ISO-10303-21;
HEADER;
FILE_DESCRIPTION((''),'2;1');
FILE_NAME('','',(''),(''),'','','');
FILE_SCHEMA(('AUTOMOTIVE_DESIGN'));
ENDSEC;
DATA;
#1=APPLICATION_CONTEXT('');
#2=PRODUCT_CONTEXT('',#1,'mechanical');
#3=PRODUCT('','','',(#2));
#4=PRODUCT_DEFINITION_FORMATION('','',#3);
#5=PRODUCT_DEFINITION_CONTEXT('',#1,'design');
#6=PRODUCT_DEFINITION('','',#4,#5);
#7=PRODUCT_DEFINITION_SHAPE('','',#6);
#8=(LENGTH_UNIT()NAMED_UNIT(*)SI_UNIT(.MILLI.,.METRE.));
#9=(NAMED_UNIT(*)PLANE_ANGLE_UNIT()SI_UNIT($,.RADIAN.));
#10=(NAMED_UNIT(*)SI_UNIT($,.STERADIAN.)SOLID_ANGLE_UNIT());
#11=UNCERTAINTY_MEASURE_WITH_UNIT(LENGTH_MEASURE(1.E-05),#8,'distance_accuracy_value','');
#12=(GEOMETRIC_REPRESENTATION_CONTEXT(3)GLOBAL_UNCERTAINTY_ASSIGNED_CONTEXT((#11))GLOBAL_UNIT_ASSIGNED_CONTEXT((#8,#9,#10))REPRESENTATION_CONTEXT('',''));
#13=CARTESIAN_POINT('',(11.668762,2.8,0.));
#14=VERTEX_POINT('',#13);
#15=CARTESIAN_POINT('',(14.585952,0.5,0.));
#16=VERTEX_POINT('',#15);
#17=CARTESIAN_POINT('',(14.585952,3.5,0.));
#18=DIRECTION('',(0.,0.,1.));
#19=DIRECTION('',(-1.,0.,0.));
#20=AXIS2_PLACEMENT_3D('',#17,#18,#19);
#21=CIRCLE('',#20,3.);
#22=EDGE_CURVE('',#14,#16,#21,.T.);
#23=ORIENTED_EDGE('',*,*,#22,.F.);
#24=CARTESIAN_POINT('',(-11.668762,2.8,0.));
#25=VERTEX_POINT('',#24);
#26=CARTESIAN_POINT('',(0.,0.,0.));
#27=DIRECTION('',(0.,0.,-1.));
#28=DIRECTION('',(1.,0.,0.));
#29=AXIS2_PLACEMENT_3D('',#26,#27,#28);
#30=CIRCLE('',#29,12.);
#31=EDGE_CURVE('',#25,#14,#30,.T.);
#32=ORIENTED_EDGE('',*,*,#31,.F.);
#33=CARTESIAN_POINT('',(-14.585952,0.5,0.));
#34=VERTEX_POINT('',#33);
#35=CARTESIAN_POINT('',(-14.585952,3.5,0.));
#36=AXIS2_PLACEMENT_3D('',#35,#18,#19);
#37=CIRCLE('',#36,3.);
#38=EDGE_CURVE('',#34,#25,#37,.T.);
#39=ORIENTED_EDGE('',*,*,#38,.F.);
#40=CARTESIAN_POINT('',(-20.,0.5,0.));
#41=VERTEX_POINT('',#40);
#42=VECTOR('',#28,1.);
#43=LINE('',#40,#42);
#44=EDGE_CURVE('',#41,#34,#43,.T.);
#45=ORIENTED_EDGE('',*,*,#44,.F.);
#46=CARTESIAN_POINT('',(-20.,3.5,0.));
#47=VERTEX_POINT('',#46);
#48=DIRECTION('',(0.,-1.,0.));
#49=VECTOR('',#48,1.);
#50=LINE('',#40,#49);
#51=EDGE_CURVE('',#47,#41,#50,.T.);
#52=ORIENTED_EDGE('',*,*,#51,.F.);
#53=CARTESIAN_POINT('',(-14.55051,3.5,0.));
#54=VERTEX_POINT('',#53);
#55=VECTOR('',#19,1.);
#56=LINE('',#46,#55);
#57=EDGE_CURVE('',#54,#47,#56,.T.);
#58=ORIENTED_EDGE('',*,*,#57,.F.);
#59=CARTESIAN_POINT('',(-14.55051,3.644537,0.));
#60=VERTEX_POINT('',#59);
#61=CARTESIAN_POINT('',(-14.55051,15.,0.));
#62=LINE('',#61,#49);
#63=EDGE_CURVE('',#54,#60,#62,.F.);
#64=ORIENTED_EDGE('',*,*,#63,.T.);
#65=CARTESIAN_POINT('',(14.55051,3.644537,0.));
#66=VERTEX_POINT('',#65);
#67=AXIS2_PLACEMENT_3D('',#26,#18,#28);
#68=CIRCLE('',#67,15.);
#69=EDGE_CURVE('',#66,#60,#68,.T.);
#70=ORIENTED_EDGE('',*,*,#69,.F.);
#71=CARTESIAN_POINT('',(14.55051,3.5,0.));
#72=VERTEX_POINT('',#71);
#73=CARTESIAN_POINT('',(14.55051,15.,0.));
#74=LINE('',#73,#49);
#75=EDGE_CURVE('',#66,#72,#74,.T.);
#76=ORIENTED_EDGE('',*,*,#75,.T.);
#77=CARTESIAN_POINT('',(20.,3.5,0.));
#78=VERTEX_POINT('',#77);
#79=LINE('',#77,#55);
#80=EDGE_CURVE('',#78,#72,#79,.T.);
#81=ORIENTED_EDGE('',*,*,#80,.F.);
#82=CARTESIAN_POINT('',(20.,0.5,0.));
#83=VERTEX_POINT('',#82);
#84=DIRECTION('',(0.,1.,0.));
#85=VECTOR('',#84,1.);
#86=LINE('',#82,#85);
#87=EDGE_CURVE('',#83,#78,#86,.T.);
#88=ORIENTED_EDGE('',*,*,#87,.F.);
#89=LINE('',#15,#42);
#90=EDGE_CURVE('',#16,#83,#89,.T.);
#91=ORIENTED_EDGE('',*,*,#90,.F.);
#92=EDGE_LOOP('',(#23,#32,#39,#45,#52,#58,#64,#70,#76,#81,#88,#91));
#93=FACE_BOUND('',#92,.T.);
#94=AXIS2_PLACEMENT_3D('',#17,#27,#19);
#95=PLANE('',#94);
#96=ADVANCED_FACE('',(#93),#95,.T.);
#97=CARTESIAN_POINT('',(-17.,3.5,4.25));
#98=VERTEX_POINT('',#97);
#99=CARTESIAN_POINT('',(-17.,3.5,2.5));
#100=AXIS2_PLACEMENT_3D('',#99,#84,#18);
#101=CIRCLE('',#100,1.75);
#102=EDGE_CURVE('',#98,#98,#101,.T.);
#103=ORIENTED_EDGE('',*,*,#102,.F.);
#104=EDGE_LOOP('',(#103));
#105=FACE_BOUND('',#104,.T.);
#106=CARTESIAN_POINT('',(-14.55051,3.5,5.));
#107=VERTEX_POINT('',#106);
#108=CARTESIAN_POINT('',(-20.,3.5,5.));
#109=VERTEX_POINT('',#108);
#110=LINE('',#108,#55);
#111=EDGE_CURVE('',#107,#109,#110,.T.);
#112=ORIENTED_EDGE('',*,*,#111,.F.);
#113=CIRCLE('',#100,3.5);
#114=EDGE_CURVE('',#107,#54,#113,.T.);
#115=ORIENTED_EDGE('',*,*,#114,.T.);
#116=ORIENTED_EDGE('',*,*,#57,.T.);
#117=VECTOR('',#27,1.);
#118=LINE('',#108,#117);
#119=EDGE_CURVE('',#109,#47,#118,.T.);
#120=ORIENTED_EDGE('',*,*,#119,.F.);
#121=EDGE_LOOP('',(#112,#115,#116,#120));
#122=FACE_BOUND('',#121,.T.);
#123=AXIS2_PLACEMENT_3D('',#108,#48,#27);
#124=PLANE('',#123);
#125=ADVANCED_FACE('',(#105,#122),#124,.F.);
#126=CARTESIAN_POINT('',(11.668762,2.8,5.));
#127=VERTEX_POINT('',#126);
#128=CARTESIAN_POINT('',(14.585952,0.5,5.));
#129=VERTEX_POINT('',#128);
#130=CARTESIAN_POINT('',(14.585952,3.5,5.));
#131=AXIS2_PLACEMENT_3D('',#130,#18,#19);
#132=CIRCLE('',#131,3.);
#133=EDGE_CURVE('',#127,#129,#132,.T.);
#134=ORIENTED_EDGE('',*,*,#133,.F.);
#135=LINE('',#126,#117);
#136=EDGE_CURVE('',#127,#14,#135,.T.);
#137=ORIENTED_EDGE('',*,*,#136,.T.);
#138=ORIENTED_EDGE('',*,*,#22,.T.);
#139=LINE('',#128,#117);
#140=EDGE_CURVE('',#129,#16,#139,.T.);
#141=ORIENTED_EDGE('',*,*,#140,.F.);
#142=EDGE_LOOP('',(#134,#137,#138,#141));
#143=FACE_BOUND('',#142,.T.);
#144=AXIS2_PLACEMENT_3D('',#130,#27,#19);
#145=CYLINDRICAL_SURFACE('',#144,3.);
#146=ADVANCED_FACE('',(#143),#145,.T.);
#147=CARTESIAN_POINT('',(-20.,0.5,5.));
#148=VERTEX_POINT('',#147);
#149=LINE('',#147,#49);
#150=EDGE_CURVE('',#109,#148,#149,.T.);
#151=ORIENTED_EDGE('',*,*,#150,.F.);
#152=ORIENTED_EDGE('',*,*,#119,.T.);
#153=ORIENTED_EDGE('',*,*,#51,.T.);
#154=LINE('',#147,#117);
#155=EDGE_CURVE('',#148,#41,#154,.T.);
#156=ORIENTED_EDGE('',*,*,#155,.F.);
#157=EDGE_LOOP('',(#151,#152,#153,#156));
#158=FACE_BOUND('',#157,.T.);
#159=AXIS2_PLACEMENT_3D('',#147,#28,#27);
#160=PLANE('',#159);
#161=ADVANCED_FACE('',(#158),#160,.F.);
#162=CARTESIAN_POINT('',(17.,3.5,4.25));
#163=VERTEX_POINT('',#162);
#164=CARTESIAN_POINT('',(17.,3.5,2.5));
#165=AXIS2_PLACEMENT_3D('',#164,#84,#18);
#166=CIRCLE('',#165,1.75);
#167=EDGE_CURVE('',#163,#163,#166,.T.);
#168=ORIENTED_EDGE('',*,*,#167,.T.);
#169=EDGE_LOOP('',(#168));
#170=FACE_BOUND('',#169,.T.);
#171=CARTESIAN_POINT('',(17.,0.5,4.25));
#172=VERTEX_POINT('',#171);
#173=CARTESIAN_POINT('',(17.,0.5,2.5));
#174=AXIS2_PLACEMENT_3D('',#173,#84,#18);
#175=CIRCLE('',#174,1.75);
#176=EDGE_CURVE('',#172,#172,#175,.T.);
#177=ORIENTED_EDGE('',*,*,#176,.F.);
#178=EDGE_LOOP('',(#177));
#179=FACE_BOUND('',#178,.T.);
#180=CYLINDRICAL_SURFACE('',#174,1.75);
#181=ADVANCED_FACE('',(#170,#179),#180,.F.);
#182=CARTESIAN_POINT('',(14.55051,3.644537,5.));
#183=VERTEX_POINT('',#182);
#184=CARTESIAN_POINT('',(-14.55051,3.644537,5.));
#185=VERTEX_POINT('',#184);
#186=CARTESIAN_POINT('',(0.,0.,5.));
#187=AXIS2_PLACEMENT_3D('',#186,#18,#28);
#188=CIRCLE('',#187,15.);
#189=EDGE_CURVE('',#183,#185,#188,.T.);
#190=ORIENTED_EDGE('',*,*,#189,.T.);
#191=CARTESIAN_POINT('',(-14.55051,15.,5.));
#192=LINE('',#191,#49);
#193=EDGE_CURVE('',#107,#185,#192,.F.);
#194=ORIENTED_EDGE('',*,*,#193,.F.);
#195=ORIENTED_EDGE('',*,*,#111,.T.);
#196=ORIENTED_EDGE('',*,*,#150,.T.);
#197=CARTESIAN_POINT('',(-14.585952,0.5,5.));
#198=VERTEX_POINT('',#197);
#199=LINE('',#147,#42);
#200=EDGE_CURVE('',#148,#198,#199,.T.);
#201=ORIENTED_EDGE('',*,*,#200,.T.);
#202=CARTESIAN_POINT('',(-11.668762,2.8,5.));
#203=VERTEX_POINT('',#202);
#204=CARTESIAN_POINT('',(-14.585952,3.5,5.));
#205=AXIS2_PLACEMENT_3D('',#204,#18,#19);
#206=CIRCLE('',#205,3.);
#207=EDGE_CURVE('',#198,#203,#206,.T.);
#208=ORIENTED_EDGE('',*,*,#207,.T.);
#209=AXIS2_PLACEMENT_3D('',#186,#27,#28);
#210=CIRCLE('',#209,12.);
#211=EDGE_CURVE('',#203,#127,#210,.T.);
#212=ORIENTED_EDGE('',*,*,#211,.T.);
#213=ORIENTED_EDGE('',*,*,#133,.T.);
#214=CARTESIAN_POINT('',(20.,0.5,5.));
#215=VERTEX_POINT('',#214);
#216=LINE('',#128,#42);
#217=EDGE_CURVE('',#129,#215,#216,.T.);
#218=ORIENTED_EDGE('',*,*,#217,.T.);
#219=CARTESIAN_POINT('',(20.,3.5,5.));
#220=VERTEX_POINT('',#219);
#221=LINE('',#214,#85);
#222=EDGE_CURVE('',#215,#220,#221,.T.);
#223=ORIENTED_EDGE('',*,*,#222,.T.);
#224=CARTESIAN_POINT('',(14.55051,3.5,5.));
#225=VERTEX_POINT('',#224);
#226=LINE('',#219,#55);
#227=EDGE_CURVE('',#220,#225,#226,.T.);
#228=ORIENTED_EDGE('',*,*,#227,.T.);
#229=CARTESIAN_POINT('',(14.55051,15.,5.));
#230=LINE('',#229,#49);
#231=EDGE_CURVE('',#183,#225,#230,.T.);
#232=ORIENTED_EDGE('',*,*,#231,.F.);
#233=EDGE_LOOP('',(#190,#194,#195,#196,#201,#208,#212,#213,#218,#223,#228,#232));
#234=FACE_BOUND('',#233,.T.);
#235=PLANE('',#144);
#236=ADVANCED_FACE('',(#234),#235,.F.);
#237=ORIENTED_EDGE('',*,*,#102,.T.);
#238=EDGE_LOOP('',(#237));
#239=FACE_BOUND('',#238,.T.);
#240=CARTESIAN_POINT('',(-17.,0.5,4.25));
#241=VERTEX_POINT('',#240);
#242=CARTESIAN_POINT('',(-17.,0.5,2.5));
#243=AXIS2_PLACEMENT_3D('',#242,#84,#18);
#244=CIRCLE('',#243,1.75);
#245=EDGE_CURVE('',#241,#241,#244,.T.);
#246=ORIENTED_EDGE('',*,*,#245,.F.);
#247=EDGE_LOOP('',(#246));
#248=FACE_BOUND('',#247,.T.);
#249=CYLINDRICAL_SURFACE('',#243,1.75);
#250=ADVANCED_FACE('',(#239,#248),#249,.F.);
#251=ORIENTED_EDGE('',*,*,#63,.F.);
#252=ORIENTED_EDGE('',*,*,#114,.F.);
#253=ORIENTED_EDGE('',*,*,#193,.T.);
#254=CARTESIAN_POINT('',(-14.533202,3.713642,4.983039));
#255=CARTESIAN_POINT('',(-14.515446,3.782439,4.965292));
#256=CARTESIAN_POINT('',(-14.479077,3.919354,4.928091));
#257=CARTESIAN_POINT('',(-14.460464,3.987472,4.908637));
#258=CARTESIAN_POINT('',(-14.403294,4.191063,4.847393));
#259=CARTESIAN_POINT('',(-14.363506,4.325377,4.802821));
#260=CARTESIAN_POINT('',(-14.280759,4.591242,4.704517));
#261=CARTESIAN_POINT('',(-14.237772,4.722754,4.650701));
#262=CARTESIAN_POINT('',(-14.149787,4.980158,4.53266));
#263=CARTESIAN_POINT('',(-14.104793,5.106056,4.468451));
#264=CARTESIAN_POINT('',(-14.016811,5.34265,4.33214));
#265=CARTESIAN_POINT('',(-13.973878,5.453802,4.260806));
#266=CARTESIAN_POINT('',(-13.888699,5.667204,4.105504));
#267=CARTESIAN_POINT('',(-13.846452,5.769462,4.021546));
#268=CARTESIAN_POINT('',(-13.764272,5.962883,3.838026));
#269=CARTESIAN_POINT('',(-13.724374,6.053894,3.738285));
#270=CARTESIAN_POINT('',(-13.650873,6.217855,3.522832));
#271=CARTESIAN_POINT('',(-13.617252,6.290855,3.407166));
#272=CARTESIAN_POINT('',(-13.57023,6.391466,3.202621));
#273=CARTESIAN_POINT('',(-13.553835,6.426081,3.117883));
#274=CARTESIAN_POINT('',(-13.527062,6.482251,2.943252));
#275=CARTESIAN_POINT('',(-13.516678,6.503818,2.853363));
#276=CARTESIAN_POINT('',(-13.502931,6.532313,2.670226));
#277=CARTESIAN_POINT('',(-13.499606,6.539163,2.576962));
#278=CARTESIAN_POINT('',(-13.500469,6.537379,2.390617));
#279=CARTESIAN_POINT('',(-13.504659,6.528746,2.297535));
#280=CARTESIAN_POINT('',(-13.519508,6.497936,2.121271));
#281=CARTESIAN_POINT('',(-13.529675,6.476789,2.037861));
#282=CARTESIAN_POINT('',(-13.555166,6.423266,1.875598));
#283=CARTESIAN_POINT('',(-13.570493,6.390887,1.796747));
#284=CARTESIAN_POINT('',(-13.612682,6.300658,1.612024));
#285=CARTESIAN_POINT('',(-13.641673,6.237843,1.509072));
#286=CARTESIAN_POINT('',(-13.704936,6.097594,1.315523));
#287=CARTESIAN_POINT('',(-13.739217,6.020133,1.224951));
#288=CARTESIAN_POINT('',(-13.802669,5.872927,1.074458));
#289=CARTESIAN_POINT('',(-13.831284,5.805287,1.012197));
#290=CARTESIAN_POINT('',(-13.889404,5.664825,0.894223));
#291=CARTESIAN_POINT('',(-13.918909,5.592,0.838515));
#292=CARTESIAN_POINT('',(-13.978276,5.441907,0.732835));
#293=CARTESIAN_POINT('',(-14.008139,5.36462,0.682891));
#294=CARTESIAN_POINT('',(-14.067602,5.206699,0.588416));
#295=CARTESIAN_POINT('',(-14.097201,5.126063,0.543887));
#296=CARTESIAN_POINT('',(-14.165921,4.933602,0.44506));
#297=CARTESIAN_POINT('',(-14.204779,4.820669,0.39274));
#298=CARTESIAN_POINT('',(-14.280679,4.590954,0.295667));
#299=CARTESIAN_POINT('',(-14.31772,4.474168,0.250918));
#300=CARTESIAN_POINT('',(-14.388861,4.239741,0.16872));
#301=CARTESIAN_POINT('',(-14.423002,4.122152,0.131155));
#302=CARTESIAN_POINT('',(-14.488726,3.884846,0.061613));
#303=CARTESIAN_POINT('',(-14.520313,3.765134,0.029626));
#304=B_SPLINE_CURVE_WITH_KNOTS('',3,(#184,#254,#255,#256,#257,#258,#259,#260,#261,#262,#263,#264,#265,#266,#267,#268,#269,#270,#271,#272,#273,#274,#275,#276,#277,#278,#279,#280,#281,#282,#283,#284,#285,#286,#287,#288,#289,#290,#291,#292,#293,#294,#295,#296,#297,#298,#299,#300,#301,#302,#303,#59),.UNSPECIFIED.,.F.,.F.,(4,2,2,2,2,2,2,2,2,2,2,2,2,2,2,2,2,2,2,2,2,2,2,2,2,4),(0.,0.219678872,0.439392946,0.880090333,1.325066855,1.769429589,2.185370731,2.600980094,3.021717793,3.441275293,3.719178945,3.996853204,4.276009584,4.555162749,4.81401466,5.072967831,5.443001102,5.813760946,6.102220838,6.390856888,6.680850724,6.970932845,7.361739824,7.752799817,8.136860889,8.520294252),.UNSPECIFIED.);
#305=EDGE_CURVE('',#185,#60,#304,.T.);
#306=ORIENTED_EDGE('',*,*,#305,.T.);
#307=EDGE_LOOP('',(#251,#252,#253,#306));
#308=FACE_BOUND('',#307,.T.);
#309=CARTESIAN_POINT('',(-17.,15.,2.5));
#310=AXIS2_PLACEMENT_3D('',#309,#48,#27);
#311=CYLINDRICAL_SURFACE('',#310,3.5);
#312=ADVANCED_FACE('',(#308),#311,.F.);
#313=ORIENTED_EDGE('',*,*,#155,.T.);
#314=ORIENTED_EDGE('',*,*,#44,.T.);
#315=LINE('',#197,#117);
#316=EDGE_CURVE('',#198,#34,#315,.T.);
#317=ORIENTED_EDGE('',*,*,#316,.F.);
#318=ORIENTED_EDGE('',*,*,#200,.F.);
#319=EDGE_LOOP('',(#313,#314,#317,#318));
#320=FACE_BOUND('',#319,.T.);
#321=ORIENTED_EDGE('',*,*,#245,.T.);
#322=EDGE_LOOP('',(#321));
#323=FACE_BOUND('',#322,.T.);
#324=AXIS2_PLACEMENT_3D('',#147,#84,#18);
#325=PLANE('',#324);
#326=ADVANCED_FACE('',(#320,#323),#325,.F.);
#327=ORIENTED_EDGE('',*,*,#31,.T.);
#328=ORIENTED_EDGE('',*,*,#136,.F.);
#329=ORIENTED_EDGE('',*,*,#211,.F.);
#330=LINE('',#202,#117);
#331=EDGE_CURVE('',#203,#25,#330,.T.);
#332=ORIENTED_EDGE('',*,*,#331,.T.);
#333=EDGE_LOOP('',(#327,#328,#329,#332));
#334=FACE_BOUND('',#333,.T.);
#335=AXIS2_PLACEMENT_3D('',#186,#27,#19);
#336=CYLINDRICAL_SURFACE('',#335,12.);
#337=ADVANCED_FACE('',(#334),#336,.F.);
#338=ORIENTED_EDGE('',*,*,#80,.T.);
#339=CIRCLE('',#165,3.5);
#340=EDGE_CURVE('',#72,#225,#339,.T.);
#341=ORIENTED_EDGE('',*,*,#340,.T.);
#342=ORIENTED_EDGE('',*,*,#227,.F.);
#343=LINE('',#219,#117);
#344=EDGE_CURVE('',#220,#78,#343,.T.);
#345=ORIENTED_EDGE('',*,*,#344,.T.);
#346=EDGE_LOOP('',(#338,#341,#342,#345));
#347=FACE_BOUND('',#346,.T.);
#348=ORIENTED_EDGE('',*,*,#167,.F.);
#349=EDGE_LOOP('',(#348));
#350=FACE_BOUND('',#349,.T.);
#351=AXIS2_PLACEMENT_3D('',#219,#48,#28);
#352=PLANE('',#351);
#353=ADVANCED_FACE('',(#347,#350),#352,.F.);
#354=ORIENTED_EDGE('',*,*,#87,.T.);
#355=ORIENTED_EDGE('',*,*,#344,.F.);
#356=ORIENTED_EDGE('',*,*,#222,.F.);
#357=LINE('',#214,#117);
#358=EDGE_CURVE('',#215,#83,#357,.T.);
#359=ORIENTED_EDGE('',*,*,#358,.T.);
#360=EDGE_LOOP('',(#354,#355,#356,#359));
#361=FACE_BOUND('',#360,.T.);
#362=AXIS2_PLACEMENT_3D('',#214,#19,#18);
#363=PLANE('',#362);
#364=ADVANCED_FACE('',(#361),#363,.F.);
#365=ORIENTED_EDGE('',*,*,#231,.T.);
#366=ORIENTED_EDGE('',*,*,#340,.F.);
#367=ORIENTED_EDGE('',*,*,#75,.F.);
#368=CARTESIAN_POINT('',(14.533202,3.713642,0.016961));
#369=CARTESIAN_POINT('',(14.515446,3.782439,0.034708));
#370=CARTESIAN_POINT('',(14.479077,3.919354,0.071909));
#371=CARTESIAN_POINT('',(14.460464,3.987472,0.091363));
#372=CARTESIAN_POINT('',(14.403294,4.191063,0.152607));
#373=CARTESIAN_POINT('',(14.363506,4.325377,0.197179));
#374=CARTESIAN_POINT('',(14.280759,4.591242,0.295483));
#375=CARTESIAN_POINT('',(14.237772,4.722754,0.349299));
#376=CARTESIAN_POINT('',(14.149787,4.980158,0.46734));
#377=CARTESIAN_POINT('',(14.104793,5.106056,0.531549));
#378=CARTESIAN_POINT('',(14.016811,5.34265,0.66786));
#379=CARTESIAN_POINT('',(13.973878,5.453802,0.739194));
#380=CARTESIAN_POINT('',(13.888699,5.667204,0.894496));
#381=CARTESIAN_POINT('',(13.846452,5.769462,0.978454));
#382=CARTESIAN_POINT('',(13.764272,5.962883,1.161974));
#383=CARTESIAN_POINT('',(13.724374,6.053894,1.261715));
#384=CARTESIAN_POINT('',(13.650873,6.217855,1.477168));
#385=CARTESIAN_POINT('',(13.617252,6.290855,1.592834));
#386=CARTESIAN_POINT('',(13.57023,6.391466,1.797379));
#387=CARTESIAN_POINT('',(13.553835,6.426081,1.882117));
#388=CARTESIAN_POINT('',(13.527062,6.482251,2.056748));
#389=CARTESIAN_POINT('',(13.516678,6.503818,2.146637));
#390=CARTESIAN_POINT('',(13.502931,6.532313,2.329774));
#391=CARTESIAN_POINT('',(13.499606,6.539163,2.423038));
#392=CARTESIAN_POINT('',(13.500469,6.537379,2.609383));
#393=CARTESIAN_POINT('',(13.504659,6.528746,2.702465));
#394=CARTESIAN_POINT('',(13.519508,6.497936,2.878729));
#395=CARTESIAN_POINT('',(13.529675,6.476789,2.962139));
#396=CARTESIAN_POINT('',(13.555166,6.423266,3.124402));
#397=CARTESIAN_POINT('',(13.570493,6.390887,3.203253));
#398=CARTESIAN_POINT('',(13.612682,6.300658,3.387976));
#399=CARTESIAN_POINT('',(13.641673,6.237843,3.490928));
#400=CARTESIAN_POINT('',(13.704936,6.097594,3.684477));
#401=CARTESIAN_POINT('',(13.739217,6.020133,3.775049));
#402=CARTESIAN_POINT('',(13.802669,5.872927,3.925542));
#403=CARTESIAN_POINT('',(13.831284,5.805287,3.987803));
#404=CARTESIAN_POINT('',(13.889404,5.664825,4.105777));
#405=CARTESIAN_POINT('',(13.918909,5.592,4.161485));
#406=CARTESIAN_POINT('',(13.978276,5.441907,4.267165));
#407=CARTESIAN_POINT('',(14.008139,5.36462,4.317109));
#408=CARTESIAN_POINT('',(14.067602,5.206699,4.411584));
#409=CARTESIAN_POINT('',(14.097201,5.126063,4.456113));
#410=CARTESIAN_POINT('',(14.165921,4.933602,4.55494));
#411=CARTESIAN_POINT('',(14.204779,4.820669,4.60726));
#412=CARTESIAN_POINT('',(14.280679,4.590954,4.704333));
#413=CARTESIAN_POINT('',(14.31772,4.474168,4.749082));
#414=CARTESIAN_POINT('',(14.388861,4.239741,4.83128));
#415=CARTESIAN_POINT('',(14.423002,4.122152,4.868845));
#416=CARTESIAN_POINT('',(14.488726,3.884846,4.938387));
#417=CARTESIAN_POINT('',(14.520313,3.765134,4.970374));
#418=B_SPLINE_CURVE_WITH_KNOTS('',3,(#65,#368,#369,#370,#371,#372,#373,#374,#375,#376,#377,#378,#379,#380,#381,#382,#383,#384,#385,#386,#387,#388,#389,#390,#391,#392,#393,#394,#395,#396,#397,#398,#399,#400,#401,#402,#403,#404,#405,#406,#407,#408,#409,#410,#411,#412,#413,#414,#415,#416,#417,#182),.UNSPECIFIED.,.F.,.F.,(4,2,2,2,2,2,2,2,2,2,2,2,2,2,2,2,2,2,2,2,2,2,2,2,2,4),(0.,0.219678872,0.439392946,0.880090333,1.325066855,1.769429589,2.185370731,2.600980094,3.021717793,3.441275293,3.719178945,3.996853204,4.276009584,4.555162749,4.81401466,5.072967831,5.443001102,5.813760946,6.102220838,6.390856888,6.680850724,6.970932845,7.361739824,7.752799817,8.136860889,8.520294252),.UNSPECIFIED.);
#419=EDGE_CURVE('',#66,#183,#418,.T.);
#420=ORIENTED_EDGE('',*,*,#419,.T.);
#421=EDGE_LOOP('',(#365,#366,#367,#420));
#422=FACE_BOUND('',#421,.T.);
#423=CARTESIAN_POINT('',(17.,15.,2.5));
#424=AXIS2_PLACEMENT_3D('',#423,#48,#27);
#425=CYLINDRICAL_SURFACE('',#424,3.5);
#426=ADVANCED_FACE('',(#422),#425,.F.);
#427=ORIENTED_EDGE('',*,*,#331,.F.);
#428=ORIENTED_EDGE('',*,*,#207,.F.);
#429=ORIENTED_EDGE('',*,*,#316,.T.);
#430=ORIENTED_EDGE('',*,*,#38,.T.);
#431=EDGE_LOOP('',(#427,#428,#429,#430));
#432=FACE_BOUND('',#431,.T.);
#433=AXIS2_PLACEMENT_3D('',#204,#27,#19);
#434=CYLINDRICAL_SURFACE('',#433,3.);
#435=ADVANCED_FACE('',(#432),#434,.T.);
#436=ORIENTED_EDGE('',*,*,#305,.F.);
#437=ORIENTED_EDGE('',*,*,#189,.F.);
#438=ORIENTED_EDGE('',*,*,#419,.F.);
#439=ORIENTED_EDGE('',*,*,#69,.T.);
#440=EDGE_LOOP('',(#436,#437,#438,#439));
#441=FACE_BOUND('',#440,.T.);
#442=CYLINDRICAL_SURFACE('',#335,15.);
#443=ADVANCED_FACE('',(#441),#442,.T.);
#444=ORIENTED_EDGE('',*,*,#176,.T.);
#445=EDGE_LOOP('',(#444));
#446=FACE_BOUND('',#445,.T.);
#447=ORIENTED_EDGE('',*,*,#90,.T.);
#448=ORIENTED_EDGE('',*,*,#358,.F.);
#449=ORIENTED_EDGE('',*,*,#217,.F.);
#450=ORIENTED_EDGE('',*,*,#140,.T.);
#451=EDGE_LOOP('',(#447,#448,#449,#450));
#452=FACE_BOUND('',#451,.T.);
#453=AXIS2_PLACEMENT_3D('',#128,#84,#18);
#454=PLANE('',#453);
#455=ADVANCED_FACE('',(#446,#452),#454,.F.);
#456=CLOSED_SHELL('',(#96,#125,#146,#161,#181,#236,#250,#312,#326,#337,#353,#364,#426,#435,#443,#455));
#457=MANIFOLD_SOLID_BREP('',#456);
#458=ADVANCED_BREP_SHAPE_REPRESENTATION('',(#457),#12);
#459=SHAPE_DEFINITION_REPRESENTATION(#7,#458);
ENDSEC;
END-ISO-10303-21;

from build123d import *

# Parameters (mm, degrees)
BOSS_EXTRU_2_DEPTH      = 5
ESQUISSE3_R             = 1.75
ENL_V_MAT_EXTRU_2_DEPTH = 4
ESQUISSE4_R             = 3.5
ENL_V_MAT_EXTRU_3_DEPTH = 12.5


with BuildPart() as part:
    # Esquisse1 → Boss.-Extru.2 (new body)
    with BuildSketch(Plane.XY):
        with BuildLine():
            Line((-20, 0.5), (-14.585952146, 0.5))
            ThreePointArc((-14.585952146, 0.5), (-12.728534584, 1.144156202), (-11.668761717, 2.8))
            ThreePointArc((-11.668761717, 2.8), (0, 12), (11.668761717, 2.8))
            ThreePointArc((11.668761717, 2.8), (12.728534584, 1.144156202), (14.585952146, 0.5))
            Line((14.585952146, 0.5), (20, 0.5))
            Line((20, 0.5), (20, 3.5))
            Line((20, 3.5), (14.585952146, 3.5))
            ThreePointArc((14.585952146, 3.5), (0, 15), (-14.585952146, 3.5))
            Line((-14.585952146, 3.5), (-20, 3.5))
            Line((-20, 3.5), (-20, 0.5))
        make_face()
    extrude(amount=BOSS_EXTRU_2_DEPTH)

    # Esquisse3 → Enlèv. mat.-Extru.2 (cut, through all)
    with BuildSketch(Plane(origin=(0, 3.5, 0), x_dir=(1, 0, 0), z_dir=(0, 1, 0))):
        with Locations((-17, -2.5)):
            Circle(ESQUISSE3_R)
        with Locations((17, -2.5)):
            Circle(ESQUISSE3_R)
    extrude(amount=-ENL_V_MAT_EXTRU_2_DEPTH, mode=Mode.SUBTRACT)

    # Esquisse4 → Enlèv. mat.-Extru.3 (cut, through all)
    with BuildSketch(Plane(origin=(0, 3.5, 0), x_dir=(1, 0, 0), z_dir=(0, 1, 0))):
        with Locations((-17, -2.5)):
            Circle(ESQUISSE4_R)
        with Locations((17, -2.5)):
            Circle(ESQUISSE4_R)
    extrude(amount=ENL_V_MAT_EXTRU_3_DEPTH, mode=Mode.SUBTRACT)


solid = part.part
